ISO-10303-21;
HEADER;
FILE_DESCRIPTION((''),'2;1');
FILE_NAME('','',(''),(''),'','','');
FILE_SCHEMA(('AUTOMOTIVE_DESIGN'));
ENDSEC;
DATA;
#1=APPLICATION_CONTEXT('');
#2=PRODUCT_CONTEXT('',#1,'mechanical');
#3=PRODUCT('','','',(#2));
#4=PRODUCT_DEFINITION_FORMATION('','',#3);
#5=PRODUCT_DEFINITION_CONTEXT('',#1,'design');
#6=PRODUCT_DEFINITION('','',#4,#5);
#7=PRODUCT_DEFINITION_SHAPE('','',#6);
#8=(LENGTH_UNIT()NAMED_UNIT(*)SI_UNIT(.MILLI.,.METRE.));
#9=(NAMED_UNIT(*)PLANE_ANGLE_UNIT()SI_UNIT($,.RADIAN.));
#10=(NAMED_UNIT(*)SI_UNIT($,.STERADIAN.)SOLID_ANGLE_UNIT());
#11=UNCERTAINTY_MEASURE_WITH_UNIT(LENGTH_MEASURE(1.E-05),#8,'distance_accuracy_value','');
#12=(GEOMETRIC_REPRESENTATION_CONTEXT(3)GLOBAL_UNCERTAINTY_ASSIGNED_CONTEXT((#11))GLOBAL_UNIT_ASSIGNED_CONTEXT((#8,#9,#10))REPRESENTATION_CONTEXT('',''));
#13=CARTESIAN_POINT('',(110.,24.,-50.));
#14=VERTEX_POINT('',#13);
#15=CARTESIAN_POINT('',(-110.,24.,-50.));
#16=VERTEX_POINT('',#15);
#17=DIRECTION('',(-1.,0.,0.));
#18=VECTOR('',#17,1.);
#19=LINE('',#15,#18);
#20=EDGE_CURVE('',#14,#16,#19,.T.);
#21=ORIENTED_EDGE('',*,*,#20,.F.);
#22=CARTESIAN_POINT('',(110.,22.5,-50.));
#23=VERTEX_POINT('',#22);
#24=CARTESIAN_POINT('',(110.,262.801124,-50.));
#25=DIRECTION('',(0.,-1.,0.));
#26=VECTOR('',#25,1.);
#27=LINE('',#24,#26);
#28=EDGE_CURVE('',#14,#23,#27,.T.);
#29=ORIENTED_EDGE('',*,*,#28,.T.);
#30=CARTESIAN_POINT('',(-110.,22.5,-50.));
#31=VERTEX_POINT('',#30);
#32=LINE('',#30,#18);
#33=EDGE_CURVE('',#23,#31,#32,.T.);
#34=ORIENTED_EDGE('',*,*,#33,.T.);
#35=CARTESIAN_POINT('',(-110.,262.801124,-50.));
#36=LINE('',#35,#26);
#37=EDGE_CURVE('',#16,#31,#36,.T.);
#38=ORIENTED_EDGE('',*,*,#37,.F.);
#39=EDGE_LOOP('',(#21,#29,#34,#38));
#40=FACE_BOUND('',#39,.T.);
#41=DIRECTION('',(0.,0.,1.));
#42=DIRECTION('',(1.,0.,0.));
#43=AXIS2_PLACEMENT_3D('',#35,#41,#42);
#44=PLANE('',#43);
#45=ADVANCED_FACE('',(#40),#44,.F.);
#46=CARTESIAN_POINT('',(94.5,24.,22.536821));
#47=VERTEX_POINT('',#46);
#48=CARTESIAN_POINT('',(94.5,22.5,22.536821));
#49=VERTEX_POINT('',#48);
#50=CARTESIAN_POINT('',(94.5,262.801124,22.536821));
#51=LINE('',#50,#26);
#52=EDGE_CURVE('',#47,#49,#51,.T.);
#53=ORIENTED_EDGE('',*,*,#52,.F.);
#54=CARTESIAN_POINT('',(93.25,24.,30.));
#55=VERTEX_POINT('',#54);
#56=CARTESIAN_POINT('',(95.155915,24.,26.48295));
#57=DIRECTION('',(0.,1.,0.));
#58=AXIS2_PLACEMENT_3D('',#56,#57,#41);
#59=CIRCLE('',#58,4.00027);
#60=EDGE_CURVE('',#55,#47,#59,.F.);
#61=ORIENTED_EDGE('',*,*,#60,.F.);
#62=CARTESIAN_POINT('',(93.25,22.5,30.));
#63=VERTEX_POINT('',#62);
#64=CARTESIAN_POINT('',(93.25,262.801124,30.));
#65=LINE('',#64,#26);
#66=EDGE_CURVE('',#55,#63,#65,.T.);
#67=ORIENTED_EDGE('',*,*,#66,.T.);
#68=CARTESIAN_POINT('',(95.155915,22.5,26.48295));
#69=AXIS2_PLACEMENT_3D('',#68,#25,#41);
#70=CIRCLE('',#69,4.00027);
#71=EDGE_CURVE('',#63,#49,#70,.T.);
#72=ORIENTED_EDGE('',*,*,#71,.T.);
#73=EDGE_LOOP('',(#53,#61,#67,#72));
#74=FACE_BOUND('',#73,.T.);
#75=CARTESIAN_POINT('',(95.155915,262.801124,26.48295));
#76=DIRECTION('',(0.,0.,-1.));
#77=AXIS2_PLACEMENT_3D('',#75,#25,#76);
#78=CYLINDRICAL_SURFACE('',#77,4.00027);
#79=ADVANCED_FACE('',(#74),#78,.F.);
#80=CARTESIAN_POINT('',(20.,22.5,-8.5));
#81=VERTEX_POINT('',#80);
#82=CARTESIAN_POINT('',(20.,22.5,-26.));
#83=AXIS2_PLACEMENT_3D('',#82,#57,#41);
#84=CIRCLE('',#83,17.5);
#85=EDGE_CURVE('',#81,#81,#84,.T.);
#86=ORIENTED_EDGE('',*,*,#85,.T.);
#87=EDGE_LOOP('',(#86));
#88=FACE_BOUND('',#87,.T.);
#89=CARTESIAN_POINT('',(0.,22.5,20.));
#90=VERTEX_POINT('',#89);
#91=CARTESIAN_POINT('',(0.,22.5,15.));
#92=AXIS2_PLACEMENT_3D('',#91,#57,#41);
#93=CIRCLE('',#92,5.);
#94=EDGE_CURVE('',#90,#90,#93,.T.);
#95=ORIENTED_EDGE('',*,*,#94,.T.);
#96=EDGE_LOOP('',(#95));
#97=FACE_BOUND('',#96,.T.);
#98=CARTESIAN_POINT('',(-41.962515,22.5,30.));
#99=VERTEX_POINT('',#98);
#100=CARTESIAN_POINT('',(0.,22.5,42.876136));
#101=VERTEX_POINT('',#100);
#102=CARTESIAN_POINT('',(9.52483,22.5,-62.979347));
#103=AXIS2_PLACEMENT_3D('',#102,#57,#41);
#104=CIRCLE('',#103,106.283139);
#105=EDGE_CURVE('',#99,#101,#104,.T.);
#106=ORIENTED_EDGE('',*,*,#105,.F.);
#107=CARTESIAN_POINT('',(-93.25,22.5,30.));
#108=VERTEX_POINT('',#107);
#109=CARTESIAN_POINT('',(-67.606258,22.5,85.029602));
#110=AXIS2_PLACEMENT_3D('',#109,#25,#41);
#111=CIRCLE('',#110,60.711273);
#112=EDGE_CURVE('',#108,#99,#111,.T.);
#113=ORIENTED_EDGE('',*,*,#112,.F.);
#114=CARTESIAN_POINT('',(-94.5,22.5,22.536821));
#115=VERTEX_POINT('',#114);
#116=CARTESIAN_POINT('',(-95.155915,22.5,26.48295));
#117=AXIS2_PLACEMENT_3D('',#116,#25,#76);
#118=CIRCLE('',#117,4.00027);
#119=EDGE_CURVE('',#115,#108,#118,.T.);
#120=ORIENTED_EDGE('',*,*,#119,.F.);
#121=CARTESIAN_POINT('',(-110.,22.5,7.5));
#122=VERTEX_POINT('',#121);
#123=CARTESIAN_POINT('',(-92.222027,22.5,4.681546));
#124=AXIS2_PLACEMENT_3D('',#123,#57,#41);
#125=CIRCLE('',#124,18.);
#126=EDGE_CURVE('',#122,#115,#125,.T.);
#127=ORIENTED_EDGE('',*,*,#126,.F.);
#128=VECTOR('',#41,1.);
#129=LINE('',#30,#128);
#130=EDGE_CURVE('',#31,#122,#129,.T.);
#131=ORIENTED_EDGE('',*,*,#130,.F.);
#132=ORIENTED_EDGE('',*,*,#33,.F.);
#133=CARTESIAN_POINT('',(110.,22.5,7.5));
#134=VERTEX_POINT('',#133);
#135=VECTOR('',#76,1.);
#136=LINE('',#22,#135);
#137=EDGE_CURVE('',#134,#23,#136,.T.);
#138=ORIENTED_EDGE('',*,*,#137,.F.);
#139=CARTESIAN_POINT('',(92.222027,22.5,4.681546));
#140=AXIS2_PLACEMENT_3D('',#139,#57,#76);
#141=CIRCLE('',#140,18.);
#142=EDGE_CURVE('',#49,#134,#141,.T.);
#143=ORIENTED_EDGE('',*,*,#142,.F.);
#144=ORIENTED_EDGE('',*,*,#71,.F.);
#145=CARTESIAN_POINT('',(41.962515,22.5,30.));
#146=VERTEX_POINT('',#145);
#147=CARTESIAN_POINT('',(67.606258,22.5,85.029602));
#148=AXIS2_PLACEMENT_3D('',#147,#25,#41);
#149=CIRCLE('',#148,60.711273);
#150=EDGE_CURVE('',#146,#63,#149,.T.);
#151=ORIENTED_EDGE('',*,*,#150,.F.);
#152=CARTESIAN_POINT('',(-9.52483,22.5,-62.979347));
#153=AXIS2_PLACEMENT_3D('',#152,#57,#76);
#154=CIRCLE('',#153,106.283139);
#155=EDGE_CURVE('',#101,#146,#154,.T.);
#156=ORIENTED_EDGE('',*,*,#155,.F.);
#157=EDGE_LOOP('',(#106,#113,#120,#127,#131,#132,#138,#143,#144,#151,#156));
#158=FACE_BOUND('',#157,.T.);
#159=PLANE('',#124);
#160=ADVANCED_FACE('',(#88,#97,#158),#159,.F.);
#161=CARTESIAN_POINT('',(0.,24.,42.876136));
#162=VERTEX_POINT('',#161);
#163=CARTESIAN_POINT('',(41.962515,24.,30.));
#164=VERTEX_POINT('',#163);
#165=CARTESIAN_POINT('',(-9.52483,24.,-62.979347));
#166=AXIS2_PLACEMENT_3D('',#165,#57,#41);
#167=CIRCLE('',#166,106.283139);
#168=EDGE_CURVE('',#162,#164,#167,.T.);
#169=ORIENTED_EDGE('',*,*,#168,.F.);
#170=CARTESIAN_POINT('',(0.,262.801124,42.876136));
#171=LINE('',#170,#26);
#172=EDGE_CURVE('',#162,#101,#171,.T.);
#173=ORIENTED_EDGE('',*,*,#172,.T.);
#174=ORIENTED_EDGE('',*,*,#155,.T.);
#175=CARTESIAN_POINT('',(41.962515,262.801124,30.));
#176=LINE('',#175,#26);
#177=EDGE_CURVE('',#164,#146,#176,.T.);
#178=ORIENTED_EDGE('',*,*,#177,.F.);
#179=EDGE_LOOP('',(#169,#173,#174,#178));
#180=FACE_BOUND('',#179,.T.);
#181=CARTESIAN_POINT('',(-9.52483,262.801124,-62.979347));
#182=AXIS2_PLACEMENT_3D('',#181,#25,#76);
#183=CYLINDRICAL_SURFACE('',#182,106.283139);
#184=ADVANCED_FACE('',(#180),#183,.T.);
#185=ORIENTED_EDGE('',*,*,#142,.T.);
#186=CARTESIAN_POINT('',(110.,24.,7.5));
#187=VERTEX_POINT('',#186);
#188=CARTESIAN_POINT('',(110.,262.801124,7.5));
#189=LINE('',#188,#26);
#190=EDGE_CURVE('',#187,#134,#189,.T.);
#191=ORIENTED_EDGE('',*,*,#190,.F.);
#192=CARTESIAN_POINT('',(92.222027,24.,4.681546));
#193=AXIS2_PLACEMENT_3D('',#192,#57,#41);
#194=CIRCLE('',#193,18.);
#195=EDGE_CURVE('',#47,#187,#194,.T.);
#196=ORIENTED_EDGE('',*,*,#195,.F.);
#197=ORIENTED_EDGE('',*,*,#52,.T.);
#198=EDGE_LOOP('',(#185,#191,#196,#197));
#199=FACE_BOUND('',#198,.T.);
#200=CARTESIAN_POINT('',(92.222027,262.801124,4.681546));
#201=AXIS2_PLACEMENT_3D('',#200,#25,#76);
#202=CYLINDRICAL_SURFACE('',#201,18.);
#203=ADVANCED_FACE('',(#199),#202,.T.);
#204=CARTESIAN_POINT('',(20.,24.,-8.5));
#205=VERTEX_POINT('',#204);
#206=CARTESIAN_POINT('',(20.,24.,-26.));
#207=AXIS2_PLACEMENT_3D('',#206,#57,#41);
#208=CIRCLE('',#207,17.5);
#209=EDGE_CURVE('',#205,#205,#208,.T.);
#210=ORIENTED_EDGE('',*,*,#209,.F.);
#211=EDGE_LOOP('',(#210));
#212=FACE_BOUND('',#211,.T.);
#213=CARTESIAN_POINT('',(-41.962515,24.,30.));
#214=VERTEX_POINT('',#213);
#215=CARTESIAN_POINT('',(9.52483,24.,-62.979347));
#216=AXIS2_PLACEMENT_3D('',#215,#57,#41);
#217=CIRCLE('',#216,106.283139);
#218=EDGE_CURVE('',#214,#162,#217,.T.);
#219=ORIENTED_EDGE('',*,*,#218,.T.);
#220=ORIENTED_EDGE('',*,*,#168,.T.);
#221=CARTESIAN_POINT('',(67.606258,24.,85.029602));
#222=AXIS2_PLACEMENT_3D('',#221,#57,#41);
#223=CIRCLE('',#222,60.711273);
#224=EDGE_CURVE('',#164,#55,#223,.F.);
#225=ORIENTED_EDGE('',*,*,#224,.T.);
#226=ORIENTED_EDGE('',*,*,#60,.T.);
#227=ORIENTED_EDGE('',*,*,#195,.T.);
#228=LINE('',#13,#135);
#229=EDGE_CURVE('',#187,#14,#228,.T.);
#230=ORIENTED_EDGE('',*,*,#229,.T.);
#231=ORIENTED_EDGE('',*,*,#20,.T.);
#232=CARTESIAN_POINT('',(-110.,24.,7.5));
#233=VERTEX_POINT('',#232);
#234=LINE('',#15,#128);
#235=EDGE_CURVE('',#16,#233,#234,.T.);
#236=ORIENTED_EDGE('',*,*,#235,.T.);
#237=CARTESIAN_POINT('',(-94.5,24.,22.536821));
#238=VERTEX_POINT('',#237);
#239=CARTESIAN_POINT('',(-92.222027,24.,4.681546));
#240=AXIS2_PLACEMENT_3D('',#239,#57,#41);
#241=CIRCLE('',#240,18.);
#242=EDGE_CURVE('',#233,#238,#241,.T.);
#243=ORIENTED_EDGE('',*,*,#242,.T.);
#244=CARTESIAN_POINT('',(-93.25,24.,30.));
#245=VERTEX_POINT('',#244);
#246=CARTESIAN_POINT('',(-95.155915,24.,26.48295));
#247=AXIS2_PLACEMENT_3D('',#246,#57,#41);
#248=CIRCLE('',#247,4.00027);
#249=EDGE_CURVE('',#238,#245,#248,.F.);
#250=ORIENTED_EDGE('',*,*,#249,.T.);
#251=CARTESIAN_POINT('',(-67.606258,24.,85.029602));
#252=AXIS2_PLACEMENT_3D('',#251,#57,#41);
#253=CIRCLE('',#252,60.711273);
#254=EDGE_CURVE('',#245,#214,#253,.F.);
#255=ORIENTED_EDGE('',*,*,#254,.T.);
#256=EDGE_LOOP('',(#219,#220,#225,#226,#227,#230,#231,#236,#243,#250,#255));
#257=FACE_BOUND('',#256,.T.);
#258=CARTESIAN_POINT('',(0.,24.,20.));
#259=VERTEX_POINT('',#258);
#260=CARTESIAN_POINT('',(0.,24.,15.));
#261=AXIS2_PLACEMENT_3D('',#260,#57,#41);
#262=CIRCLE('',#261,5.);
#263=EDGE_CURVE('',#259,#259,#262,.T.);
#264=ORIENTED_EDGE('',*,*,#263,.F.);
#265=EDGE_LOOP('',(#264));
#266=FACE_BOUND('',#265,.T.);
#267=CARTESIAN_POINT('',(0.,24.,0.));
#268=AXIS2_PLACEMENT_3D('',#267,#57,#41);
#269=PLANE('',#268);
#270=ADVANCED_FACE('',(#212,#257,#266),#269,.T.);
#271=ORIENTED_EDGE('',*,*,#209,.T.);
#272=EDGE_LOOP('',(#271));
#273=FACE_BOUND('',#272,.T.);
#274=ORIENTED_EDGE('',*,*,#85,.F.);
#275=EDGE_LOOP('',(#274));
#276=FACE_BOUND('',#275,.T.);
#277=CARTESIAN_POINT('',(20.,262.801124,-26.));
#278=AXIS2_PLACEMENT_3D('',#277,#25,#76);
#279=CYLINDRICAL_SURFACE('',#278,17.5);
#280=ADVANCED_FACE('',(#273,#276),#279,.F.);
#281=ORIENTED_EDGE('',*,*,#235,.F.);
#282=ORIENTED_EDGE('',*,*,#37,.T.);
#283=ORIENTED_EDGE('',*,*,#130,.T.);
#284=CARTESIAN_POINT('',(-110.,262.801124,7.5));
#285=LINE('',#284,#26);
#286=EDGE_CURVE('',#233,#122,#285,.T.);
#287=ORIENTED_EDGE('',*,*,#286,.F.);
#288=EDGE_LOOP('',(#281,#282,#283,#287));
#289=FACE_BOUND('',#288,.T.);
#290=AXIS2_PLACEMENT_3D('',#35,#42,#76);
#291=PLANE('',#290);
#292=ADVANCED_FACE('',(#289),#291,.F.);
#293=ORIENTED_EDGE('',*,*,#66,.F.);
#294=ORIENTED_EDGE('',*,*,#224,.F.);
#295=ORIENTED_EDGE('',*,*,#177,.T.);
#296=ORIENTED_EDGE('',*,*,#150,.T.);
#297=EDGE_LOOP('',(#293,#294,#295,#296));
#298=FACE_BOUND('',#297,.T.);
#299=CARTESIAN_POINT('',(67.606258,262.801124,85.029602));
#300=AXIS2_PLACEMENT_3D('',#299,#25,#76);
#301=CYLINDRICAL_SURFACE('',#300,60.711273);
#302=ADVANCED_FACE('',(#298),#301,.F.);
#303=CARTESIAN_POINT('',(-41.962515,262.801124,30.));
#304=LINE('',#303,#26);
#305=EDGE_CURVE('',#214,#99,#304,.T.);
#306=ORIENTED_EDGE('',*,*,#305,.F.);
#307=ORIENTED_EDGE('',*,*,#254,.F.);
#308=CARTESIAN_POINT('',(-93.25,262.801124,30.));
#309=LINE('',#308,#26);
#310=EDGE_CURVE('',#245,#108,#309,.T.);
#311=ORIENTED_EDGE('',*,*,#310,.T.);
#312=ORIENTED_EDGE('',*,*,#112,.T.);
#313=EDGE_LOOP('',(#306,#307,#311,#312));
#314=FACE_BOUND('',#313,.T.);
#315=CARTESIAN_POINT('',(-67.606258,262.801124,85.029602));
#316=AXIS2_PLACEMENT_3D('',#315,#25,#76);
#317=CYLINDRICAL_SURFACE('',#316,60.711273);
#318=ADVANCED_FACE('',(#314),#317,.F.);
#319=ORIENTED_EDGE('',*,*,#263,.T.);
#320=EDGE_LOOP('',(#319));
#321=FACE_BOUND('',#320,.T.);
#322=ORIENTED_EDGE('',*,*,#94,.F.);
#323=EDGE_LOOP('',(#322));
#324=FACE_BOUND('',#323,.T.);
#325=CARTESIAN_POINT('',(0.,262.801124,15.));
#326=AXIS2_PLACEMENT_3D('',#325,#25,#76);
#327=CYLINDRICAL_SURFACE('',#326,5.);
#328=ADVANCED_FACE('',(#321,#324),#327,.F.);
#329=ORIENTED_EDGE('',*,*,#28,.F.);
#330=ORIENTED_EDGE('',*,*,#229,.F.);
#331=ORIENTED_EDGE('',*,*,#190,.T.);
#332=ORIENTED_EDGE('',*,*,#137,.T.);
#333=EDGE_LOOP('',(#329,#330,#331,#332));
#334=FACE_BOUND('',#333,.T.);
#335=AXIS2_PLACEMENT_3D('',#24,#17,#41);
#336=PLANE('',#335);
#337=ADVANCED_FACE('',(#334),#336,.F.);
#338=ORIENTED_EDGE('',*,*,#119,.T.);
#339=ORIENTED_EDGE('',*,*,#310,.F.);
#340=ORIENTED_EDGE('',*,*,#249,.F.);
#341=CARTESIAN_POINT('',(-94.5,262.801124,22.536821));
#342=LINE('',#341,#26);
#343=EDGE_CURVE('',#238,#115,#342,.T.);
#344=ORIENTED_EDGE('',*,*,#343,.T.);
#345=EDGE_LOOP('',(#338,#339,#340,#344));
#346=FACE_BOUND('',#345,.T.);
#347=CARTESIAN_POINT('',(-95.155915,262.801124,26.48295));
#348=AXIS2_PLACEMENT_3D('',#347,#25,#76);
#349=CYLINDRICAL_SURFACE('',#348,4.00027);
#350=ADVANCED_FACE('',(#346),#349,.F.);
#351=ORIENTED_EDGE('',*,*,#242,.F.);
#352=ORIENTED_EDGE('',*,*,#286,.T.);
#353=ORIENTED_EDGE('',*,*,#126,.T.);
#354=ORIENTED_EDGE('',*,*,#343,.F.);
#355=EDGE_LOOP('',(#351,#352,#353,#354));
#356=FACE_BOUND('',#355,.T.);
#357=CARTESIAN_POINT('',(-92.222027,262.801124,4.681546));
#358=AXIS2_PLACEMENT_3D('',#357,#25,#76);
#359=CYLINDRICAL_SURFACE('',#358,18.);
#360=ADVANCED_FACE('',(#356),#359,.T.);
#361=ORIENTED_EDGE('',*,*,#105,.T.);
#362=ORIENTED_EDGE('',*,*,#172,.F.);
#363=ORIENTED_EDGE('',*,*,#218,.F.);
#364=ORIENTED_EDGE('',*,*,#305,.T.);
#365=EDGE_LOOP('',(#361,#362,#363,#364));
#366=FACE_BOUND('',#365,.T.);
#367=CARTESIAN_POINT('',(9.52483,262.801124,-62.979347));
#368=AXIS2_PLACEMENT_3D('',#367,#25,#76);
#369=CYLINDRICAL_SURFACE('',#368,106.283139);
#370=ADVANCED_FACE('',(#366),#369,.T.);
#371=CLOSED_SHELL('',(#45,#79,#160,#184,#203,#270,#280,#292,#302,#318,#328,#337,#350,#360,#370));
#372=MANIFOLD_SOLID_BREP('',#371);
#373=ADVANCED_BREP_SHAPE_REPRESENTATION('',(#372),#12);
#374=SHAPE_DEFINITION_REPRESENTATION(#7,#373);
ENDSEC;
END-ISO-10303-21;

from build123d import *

# Parameters (mm, degrees)
SKETCH2_R           = 17.5
SKETCH2_R_2         = 5
BOSS_EXTRUDE2_DEPTH = 1.5


with BuildPart() as part:
    # Sketch2 → Boss-Extrude2 (new body)
    with BuildSketch(Plane(origin=(0, 22.5, 0), x_dir=(1, 0, 0), z_dir=(0, 1, 0))):
        with BuildLine():
            Line((-110, 50), (110, 50))
            Line((110, 50), (110, -7.5))
            ThreePointArc((110, -7.5), (104.755451902, -17.601037804), (94.5, -22.536820999))
            ThreePointArc((94.5, -22.536820999), (91.210601206, -25.822153148), (93.25, -30))
            ThreePointArc((93.25, -30), (67.606257623, -24.318329423), (41.962515246, -30))
            ThreePointArc((41.962515246, -30), (21.653208784, -38.627914511), (0, -42.876136156))
            ThreePointArc((0, -42.876136156), (-21.653208784, -38.627914511), (-41.962515246, -30))
            ThreePointArc((-41.962515246, -30), (-67.606257623, -24.318329423), (-93.25, -30))
            ThreePointArc((-93.25, -30), (-91.210601206, -25.822153148), (-94.5, -22.536820999))
            ThreePointArc((-94.5, -22.536820999), (-104.755451902, -17.601037804), (-110, -7.5))
            Line((-110, -7.5), (-110, 50))
        make_face()
        with Locations(Location((20, 26, 0), (0, 0, 270))):
            Circle(SKETCH2_R, mode=Mode.SUBTRACT)
        with Locations(Location((0, -15, 0), (0, 0, 270))):
            Circle(SKETCH2_R_2, mode=Mode.SUBTRACT)
    extrude(amount=BOSS_EXTRUDE2_DEPTH)


solid = part.part
